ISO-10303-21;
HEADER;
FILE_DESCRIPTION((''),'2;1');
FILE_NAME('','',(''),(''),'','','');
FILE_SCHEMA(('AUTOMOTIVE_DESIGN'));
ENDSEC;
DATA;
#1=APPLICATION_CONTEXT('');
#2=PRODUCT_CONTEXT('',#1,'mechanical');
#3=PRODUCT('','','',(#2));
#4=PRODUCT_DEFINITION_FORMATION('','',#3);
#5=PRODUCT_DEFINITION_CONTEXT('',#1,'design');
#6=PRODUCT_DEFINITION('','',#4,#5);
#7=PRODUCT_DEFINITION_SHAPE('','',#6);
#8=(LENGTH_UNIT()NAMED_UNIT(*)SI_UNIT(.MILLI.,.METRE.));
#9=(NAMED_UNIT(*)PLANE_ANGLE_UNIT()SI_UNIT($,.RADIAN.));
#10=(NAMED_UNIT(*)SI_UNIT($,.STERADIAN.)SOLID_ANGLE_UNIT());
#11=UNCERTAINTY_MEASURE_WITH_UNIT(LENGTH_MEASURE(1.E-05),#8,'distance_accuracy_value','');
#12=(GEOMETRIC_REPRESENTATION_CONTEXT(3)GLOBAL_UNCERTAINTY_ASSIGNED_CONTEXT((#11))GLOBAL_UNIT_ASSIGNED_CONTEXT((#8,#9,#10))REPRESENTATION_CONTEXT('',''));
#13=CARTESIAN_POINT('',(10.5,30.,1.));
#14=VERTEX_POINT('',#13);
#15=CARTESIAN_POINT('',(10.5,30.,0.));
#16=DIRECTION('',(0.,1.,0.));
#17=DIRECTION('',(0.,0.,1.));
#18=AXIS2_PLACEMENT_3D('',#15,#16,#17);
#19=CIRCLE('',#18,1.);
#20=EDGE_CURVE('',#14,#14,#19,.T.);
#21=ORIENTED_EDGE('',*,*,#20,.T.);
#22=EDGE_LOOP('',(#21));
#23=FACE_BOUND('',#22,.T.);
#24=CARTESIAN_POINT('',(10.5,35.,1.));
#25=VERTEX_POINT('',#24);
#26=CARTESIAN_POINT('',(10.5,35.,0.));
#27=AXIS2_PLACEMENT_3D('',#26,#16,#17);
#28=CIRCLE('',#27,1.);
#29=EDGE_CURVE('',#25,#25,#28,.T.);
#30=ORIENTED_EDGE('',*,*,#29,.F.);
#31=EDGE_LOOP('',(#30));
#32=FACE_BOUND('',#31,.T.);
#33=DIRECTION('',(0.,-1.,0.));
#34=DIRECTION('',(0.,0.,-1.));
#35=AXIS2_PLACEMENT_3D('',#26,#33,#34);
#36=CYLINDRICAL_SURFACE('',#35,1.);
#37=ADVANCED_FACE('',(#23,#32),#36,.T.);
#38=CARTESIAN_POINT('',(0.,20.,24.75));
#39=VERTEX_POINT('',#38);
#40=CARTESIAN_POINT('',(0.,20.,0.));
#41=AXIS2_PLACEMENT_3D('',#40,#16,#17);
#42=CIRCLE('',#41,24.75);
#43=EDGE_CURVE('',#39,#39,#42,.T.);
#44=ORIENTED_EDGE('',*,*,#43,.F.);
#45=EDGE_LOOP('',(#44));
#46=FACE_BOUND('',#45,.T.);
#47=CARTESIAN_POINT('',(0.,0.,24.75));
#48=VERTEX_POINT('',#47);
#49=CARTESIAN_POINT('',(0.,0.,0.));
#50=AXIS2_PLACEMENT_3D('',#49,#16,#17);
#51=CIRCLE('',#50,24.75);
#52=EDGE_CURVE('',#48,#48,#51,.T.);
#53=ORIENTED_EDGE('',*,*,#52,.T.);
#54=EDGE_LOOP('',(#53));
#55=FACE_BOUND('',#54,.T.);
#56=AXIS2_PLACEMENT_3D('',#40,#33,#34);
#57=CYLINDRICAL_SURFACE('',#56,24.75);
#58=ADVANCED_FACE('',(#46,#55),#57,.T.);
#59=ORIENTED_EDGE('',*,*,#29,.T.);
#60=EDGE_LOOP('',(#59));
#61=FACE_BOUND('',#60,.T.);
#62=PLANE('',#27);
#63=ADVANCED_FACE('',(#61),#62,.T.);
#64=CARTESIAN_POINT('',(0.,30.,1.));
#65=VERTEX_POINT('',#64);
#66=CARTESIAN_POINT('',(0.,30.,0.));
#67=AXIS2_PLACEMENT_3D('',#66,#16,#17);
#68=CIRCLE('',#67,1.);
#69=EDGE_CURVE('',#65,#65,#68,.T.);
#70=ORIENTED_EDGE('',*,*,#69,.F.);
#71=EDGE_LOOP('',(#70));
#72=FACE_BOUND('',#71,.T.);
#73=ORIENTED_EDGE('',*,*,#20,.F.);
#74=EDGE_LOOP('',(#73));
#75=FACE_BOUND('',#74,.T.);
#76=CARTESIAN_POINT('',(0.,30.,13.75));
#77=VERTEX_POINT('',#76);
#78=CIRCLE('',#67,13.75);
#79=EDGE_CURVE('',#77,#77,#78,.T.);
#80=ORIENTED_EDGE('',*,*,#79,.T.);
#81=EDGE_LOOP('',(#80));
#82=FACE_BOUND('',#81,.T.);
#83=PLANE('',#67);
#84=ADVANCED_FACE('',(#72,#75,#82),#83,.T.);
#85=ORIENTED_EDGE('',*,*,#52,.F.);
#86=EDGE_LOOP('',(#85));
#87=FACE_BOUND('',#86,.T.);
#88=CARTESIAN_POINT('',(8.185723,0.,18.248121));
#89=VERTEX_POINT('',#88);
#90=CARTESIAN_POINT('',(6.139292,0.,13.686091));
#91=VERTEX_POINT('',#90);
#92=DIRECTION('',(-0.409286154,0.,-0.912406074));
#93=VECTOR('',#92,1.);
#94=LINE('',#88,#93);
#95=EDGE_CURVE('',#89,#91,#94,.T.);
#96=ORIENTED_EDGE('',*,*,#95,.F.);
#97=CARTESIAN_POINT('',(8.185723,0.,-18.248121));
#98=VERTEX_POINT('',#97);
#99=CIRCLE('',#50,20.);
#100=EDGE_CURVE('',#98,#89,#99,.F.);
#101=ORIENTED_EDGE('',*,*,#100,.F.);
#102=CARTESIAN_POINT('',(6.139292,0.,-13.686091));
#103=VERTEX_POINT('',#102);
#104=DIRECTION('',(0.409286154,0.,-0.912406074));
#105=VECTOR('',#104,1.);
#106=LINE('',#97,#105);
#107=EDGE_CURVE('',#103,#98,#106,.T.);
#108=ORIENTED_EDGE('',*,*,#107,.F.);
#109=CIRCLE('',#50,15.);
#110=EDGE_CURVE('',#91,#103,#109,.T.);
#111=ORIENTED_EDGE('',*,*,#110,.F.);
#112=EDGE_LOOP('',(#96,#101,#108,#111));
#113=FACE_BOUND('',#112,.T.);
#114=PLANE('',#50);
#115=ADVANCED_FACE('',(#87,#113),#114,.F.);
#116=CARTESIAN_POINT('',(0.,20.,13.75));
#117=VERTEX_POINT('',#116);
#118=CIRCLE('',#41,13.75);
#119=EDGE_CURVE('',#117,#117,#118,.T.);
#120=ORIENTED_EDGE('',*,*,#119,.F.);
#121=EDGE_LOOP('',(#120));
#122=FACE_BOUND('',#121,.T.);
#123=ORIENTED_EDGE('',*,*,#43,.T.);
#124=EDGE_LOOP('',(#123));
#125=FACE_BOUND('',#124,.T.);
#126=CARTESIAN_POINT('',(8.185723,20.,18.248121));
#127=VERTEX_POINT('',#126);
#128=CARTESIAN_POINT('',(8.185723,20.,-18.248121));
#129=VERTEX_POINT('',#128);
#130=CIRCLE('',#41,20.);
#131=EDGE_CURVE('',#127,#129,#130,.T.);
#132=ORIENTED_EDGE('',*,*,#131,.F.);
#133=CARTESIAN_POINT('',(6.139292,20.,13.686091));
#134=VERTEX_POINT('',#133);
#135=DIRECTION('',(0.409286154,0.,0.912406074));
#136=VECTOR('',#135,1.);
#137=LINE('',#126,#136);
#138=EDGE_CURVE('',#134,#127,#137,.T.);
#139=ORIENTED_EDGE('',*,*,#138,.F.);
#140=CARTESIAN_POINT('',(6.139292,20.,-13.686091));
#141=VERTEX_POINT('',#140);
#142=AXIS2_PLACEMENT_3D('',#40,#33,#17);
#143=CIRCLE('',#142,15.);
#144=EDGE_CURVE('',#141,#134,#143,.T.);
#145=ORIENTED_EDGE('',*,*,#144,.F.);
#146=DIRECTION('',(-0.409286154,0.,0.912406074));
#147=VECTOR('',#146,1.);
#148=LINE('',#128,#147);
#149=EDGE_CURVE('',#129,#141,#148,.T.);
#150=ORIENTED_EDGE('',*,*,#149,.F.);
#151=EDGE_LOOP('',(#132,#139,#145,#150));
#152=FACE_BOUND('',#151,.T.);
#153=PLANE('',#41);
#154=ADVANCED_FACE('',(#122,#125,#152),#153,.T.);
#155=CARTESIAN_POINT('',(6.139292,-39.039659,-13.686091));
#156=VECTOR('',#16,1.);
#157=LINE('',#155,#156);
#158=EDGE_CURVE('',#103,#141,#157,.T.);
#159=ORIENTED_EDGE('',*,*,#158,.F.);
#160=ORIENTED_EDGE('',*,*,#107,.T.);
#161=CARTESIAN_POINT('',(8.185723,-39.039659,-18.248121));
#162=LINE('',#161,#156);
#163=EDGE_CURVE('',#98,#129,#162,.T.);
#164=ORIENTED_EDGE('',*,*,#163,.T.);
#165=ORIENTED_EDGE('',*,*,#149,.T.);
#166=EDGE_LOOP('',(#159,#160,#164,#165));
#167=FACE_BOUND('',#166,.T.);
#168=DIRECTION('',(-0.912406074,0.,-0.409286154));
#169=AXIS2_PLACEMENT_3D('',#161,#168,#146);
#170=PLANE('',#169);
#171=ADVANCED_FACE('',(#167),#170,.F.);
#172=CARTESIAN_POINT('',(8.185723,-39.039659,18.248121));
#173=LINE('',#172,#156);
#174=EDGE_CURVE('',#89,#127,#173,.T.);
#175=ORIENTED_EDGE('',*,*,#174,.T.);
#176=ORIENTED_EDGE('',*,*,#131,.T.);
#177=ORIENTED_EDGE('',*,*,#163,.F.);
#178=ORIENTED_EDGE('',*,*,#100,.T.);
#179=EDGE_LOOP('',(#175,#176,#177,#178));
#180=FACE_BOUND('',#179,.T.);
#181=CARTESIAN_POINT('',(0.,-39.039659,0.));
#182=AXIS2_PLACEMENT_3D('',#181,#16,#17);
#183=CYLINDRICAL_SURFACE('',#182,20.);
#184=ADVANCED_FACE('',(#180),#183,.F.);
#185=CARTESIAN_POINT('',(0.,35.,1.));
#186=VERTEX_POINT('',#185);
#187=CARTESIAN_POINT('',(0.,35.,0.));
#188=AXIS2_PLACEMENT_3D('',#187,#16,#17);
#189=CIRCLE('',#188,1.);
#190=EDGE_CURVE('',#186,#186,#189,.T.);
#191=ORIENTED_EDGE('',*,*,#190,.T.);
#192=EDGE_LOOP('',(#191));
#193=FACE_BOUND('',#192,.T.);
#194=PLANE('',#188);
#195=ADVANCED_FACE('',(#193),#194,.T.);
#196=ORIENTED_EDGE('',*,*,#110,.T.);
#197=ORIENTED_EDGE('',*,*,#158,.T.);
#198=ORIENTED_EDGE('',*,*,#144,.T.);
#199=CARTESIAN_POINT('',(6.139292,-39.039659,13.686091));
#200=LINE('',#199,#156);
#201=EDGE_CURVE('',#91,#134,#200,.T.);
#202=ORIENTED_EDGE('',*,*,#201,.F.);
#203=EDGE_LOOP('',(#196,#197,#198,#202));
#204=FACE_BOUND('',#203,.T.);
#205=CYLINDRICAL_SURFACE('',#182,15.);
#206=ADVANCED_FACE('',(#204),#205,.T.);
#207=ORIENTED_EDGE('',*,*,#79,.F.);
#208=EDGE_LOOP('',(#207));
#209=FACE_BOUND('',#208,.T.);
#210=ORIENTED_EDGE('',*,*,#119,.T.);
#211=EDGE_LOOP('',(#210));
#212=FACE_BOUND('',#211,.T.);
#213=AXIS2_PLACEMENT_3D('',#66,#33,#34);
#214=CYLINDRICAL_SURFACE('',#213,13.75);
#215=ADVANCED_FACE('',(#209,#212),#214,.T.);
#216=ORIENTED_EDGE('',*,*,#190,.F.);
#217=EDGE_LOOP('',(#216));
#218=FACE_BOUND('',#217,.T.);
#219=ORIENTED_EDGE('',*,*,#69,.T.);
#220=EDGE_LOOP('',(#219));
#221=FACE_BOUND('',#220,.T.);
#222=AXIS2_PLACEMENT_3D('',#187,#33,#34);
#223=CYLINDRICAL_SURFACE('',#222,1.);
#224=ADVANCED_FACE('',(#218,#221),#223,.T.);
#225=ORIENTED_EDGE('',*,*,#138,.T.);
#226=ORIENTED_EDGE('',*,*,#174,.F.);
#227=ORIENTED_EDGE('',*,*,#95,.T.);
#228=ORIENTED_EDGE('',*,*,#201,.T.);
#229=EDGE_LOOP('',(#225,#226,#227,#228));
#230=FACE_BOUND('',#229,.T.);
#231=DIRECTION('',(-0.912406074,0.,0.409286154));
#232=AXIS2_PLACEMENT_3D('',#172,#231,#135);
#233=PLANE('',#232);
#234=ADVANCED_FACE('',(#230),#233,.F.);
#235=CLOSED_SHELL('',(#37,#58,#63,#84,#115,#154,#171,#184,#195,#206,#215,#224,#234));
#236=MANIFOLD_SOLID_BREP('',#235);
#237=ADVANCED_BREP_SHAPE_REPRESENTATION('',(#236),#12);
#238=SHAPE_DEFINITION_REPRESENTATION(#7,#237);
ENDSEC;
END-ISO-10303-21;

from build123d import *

# Parameters (mm, degrees)
RESSALTO_EXTRUS_O2_DEPTH = 20
ESBO_O3_R                = 13.75
BOSS_EXTRUDE1_DEPTH      = 10
SKETCH2_R                = 1
BOSS_EXTRUDE2_DEPTH      = 5
CUT_EXTRUDE2_DEPTH       = 20


with BuildPart() as part:
    # Esboço1 → Ressalto-extrusão2 (new body)
    with BuildSketch(Plane(origin=(0, 0, 0), x_dir=(1, 0, 0), z_dir=(0, 1, 0))):
        with BuildLine():
            ThreePointArc((-12.375, -21.434128744), (0, -24.75), (12.375, -21.434128744))
            ThreePointArc((12.375, -21.434128744), (21.434128744, -12.375), (24.75, 0))
            ThreePointArc((24.75, 0), (-12.375, 21.434128744), (-12.375, -21.434128744))
        make_face()
    extrude(amount=RESSALTO_EXTRUS_O2_DEPTH)

    # Esboço3 → Boss-Extrude1 (add)
    with BuildSketch(Plane(origin=(0, 20, 0), x_dir=(1, 0, 0), z_dir=(0, 1, 0))):
        with Locations(Location((0, 0, 0), (0, 0, 270))):
            Circle(ESBO_O3_R)
    extrude(amount=BOSS_EXTRUDE1_DEPTH)

    # Sketch2 → Boss-Extrude2 (add)
    with BuildSketch(Plane(origin=(0, 30, 0), x_dir=(1, 0, 0), z_dir=(0, 1, 0))):
        with Locations(Location((0, 0, 0), (0, 0, 270))):
            Circle(SKETCH2_R)
        with Locations(Location((10.5, 0, 0), (0, 0, 270))):
            Circle(SKETCH2_R)
    extrude(amount=BOSS_EXTRUDE2_DEPTH)

    # Sketch3 → Cut-Extrude2 (cut)
    with BuildSketch(Plane(origin=(0, 20, 0), x_dir=(1, 0, 0), z_dir=(0, 1, 0))):
        with BuildLine():
            Line((8.185723081, -18.248121483), (6.13929231, -13.686091112))
            ThreePointArc((6.13929231, -13.686091112), (15, 0), (6.13929231, 13.686091112))
            Line((6.13929231, 13.686091112), (8.185723081, 18.248121483))
            ThreePointArc((8.185723081, 18.248121483), (20, 0), (8.185723081, -18.248121483))
        make_face()
    extrude(amount=-CUT_EXTRUDE2_DEPTH, mode=Mode.SUBTRACT)


solid = part.part
